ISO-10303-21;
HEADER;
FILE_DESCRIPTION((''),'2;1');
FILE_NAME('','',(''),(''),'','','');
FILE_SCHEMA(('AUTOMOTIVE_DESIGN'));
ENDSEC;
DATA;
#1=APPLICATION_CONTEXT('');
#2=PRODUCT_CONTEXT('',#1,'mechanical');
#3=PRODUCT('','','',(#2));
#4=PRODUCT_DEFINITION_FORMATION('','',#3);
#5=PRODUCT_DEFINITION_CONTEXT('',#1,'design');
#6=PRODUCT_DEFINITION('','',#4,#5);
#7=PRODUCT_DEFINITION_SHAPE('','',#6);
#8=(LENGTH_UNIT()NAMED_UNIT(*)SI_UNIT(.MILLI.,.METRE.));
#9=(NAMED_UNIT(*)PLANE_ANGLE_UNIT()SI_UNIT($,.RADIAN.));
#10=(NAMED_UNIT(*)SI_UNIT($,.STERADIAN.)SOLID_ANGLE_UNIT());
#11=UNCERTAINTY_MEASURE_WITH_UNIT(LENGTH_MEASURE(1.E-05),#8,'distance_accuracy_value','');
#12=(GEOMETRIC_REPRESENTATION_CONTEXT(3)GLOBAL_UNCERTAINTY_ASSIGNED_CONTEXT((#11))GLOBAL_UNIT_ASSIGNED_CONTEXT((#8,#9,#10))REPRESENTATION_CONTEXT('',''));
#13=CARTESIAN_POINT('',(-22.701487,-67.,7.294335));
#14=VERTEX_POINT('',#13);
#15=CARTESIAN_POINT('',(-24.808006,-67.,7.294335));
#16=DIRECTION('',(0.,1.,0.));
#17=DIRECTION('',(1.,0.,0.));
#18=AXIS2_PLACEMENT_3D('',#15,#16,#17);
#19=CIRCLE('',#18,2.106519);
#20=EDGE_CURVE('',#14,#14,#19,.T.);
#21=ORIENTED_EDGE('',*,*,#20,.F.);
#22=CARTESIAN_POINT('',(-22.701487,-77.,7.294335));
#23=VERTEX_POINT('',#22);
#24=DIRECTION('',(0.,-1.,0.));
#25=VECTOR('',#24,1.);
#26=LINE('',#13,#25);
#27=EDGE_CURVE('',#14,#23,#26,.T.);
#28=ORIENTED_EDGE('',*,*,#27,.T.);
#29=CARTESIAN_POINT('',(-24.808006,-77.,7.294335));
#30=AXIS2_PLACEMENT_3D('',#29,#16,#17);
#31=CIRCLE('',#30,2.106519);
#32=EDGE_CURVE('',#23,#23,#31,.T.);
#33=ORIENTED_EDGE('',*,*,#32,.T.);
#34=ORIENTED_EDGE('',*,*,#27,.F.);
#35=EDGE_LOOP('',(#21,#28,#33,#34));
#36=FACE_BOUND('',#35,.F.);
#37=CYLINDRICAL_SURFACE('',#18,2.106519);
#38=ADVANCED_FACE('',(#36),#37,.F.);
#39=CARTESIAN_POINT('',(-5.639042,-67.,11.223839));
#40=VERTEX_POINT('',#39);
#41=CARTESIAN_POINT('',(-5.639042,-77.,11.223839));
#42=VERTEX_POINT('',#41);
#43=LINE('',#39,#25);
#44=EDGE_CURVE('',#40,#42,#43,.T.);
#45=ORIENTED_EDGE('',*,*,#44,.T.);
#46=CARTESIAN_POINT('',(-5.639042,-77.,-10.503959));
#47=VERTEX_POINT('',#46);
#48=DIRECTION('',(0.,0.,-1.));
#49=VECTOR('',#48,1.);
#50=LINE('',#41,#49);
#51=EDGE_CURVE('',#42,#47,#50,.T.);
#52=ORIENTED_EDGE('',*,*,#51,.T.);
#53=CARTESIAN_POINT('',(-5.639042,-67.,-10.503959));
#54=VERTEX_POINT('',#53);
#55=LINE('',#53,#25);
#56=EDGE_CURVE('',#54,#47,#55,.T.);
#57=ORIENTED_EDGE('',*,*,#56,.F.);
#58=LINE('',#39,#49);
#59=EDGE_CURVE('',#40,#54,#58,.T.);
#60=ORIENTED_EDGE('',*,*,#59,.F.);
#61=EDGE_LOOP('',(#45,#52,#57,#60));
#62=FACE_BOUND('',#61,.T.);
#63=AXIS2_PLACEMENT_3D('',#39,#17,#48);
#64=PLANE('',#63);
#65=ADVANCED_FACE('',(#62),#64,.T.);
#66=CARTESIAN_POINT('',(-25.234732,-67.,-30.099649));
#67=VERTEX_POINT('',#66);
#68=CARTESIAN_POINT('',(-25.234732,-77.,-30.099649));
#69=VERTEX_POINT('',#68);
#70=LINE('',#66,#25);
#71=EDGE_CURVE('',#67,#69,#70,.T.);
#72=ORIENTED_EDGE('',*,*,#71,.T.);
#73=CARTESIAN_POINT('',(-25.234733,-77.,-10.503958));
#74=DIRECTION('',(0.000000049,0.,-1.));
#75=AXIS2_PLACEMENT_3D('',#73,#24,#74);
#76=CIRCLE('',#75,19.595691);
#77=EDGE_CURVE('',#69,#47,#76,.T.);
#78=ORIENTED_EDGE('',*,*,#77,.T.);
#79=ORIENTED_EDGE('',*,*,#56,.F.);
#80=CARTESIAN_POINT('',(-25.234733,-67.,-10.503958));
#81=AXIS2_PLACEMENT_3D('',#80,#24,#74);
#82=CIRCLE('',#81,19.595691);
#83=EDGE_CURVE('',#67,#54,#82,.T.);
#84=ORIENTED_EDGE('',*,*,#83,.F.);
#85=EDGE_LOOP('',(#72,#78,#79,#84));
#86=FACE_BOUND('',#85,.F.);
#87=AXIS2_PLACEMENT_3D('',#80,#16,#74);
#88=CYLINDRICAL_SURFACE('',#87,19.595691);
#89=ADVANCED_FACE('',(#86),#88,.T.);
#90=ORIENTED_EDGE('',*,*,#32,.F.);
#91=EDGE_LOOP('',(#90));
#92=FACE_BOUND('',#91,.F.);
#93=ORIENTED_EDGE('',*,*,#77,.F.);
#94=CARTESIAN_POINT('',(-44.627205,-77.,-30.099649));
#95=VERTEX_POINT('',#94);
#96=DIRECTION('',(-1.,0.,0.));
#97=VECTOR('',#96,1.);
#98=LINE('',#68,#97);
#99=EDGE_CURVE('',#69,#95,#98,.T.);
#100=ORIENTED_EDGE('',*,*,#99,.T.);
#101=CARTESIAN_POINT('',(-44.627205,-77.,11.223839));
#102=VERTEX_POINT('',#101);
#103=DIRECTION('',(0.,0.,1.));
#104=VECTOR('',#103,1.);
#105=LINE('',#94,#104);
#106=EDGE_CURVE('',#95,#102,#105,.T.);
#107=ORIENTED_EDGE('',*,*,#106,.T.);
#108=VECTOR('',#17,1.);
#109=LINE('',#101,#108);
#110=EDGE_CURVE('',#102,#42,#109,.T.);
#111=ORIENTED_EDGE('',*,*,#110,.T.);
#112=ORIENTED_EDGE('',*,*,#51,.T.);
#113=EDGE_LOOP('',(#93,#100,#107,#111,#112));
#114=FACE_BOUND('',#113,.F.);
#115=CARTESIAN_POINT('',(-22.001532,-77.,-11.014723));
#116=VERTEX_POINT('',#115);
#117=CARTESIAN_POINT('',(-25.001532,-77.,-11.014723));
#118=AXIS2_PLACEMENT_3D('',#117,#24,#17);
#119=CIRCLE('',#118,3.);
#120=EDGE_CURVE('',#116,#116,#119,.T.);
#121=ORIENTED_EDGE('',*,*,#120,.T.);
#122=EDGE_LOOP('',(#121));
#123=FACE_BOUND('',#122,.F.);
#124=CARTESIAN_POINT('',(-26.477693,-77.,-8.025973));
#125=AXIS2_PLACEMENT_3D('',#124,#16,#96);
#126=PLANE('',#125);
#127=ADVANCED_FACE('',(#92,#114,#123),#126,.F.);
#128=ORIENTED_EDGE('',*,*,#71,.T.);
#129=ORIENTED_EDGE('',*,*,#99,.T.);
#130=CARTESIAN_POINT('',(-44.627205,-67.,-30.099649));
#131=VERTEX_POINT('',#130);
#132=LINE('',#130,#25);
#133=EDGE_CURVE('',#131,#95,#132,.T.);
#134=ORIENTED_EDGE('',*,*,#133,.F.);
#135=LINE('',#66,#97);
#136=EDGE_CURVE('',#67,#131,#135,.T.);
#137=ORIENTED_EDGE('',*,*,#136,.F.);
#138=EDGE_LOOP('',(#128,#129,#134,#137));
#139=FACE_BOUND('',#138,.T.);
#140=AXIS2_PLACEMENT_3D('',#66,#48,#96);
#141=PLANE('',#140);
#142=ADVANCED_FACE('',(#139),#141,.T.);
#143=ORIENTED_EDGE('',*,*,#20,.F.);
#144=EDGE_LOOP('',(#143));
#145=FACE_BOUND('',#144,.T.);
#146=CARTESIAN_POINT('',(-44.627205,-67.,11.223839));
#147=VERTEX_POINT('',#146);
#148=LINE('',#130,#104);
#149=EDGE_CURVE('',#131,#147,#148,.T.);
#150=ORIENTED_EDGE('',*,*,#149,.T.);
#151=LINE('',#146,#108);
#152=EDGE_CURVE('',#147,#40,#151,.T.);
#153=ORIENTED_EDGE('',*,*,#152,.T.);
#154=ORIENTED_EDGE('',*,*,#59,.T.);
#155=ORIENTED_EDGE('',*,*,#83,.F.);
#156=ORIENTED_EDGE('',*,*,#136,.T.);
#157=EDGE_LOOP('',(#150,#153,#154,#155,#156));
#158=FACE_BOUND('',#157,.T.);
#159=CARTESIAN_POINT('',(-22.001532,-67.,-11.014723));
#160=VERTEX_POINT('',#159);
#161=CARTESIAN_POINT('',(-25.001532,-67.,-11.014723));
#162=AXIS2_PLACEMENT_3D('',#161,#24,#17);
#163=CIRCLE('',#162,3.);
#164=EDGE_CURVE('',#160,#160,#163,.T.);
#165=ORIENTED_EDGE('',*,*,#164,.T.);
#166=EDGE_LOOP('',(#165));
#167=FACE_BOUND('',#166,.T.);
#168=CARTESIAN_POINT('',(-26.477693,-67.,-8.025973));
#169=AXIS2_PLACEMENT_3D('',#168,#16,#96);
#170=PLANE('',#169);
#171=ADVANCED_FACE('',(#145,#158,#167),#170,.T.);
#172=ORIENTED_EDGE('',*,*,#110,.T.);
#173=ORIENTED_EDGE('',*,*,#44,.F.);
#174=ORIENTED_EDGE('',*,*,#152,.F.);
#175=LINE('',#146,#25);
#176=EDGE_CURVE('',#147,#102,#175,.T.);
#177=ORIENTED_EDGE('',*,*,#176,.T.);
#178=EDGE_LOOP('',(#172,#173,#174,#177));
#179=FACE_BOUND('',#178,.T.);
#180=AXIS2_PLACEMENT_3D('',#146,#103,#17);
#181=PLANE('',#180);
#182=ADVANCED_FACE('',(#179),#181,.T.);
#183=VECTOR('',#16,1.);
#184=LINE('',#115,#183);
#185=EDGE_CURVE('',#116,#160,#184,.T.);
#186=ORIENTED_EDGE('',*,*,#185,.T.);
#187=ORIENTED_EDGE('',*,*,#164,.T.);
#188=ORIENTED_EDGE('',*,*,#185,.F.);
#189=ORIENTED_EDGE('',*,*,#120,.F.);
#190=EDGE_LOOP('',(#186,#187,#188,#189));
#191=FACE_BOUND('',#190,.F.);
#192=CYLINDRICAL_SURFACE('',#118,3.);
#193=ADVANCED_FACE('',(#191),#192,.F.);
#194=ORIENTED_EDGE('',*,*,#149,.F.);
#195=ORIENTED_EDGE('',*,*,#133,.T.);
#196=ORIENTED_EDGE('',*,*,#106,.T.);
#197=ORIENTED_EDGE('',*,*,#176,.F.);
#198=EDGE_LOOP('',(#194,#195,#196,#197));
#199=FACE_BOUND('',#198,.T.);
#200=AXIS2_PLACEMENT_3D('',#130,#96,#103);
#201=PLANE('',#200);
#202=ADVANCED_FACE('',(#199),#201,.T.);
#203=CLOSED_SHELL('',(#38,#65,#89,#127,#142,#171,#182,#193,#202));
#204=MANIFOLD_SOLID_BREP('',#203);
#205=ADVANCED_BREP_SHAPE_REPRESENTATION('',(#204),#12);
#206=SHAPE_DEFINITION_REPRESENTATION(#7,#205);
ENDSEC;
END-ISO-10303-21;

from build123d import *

# Parameters (mm, degrees)
PAD006_DEPTH    = 10
SKETCH008_R     = 2.106519
POCKET001_DEPTH = 10.001
SKETCH013_R     = 3
POCKET003_DEPTH = 10.001


with BuildPart() as part:
    # Sketch007 → Pad006 (new body)
    with BuildSketch(Plane.XZ.offset(67)):
        with BuildLine():
            Line((-44.627205, 4.223839), (-5.639042, 4.223839))
            Line((-5.639042, 4.223839), (-5.639042, -17.503959))
            ThreePointArc((-25.234732, -37.099649), (-11.378487, -31.360204), (-5.639042, -17.503959))
            Line((-25.234732, -37.099649), (-44.627205, -37.099649))
            Line((-44.627205, -37.099649), (-44.627205, 4.223839))
        make_face()
    extrude(amount=PAD006_DEPTH)

    # Sketch008 (on Face6 of Pad006) → Pocket001 (cut, through all)
    with BuildSketch(Plane(origin=(0, -67, 1), x_dir=(1, 0, 0), z_dir=(0, 1, 0))):
        with Locations((-24.808006, 0.705665)):
            Circle(SKETCH008_R)
    extrude(amount=-POCKET001_DEPTH, mode=Mode.SUBTRACT)

    # Sketch013 (on Face5 of Pocket001) → Pocket003 (cut, through all)
    with BuildSketch(Plane.XZ.offset(77)):
        with Locations((-25.001532, -18.014723)):
            Circle(SKETCH013_R)
    extrude(amount=-POCKET003_DEPTH, mode=Mode.SUBTRACT)


with BuildPart() as part_1:
    # Body004 placement: moved
    add(part.part.moved(Location((0, 0, 7))))


solid = part_1.part
